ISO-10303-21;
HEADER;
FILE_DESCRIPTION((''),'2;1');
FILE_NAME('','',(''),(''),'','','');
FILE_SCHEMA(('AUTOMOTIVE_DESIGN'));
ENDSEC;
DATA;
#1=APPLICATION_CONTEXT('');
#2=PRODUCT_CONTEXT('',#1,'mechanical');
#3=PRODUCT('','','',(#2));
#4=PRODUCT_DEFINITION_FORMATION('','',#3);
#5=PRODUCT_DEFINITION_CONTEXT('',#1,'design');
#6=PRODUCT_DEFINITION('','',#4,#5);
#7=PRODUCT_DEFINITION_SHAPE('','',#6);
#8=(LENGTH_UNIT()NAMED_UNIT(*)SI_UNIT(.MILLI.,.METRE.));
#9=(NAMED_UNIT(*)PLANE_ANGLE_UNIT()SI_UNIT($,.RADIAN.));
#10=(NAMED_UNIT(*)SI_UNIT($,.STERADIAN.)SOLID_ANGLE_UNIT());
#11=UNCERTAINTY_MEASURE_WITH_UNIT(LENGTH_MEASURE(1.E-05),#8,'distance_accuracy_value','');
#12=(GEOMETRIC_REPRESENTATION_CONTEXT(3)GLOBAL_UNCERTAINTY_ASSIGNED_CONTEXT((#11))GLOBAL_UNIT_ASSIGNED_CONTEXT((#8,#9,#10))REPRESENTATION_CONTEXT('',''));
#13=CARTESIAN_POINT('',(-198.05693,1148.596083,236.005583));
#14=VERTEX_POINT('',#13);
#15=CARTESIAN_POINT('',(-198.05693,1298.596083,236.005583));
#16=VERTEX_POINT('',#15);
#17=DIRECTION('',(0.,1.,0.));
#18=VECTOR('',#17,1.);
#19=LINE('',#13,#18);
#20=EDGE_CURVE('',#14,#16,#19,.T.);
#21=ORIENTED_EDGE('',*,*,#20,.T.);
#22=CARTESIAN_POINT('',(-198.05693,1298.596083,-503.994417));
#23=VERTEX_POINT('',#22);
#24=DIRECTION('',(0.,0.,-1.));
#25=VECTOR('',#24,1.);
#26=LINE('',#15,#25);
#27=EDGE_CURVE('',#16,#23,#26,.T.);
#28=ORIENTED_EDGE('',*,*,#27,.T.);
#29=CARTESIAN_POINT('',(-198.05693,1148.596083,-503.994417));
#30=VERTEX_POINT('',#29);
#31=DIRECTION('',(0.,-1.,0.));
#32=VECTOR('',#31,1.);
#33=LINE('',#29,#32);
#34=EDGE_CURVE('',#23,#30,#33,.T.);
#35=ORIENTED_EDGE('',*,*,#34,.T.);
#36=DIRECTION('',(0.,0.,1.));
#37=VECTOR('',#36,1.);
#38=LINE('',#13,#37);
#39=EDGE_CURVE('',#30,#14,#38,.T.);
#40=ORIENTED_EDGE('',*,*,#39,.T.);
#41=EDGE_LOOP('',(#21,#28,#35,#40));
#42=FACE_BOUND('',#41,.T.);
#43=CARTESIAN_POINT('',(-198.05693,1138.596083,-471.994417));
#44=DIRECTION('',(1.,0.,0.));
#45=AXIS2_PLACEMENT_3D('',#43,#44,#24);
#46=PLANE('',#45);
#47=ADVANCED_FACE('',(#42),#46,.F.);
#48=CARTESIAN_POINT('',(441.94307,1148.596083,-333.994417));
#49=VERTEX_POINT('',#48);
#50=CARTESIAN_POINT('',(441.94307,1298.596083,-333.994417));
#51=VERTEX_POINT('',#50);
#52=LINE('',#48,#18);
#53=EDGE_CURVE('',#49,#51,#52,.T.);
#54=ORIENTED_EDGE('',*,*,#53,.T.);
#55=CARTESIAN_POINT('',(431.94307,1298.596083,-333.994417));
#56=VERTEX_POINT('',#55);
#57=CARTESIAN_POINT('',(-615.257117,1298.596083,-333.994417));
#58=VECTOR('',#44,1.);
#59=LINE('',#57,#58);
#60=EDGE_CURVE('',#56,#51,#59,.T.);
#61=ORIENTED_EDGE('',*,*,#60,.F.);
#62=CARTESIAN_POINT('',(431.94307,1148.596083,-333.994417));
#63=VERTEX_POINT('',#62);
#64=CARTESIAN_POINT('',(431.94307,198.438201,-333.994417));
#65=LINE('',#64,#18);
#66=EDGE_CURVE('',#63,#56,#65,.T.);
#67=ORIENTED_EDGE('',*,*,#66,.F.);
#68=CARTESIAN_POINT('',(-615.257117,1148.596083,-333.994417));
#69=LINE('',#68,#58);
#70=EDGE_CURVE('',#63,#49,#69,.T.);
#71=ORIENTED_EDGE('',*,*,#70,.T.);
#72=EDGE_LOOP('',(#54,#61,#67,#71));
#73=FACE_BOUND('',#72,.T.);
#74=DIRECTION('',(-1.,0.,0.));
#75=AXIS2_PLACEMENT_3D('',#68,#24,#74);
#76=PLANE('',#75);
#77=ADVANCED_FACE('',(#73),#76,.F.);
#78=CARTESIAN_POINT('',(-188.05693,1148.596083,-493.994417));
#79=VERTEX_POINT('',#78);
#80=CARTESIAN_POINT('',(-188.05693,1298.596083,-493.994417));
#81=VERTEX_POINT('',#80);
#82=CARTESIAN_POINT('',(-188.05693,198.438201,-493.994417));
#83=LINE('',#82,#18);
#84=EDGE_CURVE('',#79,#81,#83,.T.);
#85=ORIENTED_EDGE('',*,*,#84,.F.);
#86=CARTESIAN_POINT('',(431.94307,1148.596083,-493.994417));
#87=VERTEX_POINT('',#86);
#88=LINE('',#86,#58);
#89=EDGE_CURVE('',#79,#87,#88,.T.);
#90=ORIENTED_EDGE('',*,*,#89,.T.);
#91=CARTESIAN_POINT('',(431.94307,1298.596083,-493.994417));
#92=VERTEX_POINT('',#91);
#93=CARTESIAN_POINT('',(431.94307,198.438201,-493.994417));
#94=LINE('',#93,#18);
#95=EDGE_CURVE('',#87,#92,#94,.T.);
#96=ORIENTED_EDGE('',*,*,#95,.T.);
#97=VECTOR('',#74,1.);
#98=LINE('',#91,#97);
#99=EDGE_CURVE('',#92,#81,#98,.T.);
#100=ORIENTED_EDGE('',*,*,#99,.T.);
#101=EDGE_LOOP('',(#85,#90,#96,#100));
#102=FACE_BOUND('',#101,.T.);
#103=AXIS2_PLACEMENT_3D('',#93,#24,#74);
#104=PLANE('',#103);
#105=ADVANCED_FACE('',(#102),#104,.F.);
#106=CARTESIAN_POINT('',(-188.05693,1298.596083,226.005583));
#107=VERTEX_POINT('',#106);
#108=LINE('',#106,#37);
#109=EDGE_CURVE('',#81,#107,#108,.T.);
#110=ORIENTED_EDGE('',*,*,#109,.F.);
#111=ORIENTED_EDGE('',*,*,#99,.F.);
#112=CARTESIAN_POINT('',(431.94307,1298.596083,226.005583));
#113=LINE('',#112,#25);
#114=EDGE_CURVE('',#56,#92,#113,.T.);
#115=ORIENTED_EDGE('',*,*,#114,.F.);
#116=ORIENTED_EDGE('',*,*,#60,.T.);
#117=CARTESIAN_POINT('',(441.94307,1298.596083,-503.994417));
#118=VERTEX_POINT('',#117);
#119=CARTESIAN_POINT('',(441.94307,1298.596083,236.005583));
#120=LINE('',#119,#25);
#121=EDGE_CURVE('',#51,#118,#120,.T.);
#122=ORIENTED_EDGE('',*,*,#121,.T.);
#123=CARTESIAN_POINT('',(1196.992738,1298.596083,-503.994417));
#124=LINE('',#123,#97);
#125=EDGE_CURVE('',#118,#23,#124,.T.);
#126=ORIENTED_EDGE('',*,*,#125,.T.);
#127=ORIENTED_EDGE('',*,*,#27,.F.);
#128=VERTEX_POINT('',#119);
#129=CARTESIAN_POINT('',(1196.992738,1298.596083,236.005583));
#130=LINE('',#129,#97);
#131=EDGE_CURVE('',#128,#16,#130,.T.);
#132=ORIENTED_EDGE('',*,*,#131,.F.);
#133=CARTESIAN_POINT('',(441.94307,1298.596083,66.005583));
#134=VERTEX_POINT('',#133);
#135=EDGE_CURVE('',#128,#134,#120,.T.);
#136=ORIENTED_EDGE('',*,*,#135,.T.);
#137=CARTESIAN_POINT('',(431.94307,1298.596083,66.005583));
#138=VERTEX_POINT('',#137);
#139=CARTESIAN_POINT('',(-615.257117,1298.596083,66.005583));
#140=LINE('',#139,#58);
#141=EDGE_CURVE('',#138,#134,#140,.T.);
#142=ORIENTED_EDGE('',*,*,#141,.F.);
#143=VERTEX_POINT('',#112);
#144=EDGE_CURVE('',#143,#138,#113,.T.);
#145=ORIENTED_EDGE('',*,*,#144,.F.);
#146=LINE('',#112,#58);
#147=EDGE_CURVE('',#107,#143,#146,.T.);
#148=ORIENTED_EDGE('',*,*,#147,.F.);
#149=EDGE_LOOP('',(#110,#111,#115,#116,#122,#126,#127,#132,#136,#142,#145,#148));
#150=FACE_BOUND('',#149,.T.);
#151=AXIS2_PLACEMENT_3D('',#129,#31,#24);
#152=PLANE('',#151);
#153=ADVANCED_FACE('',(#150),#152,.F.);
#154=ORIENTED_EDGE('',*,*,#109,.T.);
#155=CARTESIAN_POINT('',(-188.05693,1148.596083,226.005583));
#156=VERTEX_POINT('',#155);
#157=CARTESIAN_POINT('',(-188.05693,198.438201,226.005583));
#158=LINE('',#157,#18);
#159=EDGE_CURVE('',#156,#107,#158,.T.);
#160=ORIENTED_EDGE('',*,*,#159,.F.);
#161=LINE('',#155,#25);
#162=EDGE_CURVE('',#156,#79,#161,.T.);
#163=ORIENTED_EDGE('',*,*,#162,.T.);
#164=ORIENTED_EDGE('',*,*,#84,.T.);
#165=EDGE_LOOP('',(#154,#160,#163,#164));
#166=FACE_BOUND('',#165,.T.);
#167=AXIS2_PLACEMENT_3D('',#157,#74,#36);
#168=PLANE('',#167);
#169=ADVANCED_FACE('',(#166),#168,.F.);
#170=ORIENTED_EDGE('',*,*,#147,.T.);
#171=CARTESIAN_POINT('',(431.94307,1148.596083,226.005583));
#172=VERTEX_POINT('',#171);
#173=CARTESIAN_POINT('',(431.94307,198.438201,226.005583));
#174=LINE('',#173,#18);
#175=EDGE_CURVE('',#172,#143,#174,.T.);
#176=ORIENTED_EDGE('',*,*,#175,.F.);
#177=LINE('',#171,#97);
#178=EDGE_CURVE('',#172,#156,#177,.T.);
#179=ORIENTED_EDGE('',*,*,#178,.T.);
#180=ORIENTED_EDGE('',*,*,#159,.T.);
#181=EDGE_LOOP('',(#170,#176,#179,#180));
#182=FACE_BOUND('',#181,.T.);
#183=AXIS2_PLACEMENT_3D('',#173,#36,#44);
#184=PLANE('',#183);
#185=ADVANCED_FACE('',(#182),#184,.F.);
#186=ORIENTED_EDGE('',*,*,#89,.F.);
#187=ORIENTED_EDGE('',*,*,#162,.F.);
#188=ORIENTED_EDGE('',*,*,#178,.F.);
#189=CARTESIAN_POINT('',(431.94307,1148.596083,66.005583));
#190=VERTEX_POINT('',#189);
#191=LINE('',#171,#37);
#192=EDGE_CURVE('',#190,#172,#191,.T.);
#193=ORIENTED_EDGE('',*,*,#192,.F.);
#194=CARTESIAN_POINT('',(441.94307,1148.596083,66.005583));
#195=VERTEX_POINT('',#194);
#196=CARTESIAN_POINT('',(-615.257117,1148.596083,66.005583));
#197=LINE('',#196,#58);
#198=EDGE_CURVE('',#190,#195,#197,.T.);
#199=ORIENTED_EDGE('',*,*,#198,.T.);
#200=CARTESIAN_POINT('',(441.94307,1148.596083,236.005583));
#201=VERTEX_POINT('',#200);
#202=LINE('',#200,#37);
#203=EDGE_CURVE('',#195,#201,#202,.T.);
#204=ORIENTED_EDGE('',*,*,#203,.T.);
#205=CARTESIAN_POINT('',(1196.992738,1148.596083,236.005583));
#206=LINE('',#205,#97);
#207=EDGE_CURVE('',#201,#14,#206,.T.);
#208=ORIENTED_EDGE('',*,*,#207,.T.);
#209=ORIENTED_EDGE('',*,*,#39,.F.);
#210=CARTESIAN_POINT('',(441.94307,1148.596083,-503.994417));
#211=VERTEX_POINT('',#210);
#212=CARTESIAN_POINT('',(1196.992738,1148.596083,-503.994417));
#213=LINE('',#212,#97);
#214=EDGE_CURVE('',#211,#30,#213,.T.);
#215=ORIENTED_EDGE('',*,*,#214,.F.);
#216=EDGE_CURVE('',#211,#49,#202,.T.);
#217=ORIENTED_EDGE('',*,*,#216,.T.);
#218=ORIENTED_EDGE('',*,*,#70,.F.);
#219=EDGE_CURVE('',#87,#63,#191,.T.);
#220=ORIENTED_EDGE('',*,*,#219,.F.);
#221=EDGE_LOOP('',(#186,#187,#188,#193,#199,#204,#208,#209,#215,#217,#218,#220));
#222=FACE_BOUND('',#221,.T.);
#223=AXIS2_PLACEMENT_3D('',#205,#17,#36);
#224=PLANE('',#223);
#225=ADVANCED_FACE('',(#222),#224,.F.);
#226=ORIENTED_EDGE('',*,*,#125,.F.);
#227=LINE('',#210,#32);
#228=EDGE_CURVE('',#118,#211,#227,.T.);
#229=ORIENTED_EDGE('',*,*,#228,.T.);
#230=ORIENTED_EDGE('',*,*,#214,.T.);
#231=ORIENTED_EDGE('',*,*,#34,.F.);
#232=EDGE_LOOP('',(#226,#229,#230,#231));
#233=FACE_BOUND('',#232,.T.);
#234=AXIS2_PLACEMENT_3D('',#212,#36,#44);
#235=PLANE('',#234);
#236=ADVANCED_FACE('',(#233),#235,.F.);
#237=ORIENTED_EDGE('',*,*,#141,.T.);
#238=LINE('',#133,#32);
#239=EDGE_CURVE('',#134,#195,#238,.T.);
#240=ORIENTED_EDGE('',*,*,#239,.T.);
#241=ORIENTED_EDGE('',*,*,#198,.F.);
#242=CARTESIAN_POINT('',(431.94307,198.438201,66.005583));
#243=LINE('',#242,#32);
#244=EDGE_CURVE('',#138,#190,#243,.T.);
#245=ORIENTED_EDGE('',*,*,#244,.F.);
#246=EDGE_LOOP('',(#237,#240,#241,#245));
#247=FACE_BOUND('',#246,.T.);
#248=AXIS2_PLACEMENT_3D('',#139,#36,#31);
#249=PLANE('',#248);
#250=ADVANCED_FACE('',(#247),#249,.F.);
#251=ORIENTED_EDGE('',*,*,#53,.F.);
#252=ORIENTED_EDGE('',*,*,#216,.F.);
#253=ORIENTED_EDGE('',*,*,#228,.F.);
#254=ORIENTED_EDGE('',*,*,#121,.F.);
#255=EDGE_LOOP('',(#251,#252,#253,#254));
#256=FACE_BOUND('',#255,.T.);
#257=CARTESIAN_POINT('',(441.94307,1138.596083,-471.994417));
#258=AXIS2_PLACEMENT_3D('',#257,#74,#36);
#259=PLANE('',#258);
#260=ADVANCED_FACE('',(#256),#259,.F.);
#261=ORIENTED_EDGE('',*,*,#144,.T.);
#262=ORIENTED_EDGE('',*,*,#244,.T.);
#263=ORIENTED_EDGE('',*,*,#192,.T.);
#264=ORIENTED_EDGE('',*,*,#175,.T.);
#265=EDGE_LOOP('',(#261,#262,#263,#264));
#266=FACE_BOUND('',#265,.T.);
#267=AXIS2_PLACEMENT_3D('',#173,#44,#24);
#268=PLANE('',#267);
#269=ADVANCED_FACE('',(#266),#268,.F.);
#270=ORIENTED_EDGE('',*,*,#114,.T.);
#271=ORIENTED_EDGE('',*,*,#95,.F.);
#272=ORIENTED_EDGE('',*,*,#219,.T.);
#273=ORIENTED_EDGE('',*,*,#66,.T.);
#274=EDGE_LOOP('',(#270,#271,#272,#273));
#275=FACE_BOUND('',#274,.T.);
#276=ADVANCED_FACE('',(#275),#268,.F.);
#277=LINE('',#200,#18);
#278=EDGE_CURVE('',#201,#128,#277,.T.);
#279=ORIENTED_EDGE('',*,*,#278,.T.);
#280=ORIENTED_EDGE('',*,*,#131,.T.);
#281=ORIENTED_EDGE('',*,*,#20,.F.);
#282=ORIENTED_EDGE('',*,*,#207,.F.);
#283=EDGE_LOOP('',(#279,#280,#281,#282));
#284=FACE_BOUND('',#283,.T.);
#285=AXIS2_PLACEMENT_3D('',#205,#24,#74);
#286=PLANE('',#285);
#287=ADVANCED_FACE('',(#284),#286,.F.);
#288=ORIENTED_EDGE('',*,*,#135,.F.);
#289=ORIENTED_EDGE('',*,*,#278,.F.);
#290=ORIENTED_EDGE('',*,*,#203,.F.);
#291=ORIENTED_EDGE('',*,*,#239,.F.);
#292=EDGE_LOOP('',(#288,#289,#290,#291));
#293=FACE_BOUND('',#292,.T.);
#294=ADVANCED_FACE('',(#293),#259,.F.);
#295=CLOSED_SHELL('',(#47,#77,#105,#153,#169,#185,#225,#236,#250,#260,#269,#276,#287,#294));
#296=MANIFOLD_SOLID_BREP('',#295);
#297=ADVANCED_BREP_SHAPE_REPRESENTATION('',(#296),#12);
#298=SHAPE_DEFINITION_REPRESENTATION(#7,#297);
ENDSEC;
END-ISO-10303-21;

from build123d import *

# Parameters (mm, degrees)
SKETCH1_W                = 740
SKETCH1_H                = 150
BOSS_EXTRUDE1_DEPTH      = 441.94307
BOSS_EXTRUDE1_DEPTH_BACK = 198.05693
SKETCH2_W                = 620
SKETCH2_H                = 720
CUT_EXTRUDE1_DEPTH       = 150
CUT_EXTRUDE2_DEPTH       = 630


with BuildPart() as part:
    # Sketch1 → Boss-Extrude1 (new body, two sides)
    with BuildSketch(Plane(origin=(0, 0, 0), x_dir=(0, 0, -1), z_dir=(1, 0, 0))) as boss_extrude1_sk:
        with Locations((133.994417004, 1223.59608297)):
            Rectangle(SKETCH1_W, SKETCH1_H)
    extrude(amount=BOSS_EXTRUDE1_DEPTH)
    extrude(boss_extrude1_sk.sketch, amount=-BOSS_EXTRUDE1_DEPTH_BACK)

    # Sketch2 → Cut-Extrude1 (cut)
    with BuildSketch(Plane(origin=(0, 1298.59608297, 0), x_dir=(1, 0, 0), z_dir=(0, 1, 0))):
        with Locations((121.943070464, 133.994417004)):
            Rectangle(SKETCH2_W, SKETCH2_H)
    extrude(amount=-CUT_EXTRUDE1_DEPTH, mode=Mode.SUBTRACT)

    # Sketch3 → Cut-Extrude2 (cut)
    with BuildSketch(Plane(origin=(441.943070464, 0, 0), x_dir=(0, 0, -1), z_dir=(1, 0, 0))):
        Polygon((133.994417004, 1148.59608297), (333.994417004, 1148.59608297), (333.994417004, 1298.59608297), (-66.005582996, 1298.59608297), (-66.005582996, 1148.59608297), align=None)
    extrude(amount=-CUT_EXTRUDE2_DEPTH, mode=Mode.SUBTRACT)


solid = part.part
